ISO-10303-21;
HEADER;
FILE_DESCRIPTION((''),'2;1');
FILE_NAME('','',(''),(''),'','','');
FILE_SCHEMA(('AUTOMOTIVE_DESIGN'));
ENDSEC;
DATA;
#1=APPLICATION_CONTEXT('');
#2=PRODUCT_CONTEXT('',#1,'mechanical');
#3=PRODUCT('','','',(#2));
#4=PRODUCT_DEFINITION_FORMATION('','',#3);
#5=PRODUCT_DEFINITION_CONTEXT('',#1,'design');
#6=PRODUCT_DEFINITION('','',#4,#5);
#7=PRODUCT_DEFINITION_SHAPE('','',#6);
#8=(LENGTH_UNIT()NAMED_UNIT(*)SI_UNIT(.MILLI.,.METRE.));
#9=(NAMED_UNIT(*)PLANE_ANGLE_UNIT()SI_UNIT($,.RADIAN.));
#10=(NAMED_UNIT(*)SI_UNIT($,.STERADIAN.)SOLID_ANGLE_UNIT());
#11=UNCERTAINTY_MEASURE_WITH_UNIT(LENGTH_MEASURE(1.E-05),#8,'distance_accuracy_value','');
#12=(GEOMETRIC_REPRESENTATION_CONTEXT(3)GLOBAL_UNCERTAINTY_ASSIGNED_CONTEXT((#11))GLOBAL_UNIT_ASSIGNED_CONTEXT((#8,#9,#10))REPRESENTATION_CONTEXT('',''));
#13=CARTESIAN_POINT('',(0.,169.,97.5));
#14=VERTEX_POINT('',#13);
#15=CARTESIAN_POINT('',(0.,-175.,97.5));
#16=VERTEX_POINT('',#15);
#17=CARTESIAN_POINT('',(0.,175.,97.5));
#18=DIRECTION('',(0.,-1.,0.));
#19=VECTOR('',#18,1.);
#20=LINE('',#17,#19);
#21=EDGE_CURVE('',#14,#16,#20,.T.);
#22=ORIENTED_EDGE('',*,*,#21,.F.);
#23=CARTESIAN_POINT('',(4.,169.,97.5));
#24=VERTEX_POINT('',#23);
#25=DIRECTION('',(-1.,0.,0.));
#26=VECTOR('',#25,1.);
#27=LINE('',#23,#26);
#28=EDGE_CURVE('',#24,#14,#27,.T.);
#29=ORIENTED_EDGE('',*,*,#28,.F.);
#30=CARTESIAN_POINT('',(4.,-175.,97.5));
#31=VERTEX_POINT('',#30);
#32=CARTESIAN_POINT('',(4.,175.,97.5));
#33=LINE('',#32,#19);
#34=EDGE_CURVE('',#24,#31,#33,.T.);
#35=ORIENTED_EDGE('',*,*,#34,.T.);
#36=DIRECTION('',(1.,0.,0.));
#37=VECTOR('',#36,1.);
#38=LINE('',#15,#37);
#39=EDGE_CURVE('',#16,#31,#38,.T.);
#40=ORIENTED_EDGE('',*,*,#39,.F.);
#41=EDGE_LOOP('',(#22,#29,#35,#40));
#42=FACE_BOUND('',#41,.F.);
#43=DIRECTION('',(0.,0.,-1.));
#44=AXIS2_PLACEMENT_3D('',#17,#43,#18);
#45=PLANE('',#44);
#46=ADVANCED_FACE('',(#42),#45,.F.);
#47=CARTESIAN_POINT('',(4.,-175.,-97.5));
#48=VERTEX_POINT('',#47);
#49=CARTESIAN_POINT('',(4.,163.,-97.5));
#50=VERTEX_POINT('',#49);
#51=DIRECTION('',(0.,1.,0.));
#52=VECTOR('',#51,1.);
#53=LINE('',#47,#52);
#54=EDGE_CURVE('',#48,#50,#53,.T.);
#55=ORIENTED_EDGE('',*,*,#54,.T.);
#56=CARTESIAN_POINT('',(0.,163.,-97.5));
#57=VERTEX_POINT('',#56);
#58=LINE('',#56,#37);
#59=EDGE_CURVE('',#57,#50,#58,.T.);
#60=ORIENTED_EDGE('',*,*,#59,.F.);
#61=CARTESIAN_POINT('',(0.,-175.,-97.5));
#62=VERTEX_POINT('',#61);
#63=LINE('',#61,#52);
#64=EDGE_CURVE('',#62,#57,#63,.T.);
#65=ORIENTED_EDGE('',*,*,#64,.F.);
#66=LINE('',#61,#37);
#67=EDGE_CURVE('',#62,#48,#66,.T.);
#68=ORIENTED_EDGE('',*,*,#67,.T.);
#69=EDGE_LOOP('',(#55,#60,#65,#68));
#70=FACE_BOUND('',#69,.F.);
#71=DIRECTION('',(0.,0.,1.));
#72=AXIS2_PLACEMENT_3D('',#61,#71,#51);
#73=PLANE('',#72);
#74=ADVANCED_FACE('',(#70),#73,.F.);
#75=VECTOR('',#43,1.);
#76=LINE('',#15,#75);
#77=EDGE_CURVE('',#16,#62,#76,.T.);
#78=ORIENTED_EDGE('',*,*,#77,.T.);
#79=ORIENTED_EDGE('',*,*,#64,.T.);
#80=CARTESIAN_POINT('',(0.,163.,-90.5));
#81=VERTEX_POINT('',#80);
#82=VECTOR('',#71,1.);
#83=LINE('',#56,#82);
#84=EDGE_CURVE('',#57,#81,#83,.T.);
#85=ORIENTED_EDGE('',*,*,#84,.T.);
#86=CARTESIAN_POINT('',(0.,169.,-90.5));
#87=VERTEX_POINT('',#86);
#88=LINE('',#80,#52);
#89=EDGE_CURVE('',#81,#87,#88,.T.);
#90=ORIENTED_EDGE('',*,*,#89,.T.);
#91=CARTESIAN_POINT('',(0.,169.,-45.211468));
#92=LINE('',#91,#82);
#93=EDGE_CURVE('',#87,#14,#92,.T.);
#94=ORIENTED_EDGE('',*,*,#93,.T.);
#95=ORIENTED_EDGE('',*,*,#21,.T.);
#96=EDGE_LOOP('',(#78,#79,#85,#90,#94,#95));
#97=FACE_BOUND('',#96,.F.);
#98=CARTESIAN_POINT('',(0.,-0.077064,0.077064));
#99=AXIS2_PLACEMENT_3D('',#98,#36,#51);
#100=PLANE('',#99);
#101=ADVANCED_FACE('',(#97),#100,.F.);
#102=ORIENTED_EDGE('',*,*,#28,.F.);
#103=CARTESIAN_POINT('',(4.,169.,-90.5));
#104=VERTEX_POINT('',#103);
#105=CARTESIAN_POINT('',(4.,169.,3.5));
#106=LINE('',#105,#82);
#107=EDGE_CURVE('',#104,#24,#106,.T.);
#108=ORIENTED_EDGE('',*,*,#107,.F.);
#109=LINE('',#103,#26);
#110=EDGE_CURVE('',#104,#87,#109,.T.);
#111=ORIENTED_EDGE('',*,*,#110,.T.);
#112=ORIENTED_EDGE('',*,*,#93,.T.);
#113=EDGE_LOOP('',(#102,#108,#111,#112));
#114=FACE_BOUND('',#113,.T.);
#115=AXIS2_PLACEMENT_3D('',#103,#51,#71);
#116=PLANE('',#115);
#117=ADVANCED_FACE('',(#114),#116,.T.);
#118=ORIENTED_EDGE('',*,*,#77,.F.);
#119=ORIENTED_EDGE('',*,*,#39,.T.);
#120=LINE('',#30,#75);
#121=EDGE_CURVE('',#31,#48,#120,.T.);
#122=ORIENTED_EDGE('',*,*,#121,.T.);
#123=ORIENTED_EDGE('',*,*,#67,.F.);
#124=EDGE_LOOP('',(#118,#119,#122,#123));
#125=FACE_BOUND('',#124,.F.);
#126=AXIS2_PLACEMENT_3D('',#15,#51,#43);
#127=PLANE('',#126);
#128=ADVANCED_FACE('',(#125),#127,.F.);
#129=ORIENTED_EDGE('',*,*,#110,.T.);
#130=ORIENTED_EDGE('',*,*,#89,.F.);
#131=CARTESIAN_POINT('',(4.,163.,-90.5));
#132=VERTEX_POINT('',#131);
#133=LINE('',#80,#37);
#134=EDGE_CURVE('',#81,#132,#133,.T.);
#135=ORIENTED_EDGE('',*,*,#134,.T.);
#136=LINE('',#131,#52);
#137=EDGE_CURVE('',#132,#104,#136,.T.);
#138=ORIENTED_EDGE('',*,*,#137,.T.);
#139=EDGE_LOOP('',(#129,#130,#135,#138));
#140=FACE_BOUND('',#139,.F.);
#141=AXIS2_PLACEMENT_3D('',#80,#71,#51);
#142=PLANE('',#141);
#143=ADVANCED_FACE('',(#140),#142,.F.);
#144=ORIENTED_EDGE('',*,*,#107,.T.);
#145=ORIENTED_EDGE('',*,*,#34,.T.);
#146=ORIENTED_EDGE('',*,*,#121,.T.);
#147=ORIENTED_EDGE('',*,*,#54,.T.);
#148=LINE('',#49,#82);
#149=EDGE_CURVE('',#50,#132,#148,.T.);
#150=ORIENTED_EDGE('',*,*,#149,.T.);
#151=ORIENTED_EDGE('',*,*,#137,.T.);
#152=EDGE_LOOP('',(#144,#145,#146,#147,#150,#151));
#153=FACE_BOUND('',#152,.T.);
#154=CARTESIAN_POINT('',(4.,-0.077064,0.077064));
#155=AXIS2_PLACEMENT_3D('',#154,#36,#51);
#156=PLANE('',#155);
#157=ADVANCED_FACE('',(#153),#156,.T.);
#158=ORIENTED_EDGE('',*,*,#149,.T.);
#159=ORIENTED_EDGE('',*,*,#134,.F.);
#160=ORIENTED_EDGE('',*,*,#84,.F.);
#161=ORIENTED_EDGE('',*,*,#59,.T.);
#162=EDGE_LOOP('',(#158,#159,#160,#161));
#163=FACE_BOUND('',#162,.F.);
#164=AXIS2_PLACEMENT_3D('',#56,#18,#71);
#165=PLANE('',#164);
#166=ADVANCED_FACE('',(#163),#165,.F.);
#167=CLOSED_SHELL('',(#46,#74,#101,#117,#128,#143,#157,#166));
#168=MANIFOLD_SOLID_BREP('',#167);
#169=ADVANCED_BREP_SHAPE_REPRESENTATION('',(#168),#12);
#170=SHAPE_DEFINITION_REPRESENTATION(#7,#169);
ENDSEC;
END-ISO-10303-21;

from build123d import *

# Parameters (mm, degrees)
F1_DEPTH = 4
F2_W     = 6
F2_H     = 188
F3_DEPTH = 25


with BuildPart() as f1:
    # F0 (on Right) → F1 (new body)
    with BuildSketch(Plane.YZ):
        Polygon((175, -90.5), (175, 97.5), (-175, 97.5), (-175, -97.5), (163, -97.5), (163, -90.5), align=None)
    extrude(amount=F1_DEPTH)

    # F2 (on face) → F3 (cut)
    with BuildSketch(Plane.YZ.offset(4)):
        with Locations((172, 3.5)):
            Rectangle(F2_W, F2_H)
    extrude(amount=-F3_DEPTH, mode=Mode.SUBTRACT)


solid = f1.part
